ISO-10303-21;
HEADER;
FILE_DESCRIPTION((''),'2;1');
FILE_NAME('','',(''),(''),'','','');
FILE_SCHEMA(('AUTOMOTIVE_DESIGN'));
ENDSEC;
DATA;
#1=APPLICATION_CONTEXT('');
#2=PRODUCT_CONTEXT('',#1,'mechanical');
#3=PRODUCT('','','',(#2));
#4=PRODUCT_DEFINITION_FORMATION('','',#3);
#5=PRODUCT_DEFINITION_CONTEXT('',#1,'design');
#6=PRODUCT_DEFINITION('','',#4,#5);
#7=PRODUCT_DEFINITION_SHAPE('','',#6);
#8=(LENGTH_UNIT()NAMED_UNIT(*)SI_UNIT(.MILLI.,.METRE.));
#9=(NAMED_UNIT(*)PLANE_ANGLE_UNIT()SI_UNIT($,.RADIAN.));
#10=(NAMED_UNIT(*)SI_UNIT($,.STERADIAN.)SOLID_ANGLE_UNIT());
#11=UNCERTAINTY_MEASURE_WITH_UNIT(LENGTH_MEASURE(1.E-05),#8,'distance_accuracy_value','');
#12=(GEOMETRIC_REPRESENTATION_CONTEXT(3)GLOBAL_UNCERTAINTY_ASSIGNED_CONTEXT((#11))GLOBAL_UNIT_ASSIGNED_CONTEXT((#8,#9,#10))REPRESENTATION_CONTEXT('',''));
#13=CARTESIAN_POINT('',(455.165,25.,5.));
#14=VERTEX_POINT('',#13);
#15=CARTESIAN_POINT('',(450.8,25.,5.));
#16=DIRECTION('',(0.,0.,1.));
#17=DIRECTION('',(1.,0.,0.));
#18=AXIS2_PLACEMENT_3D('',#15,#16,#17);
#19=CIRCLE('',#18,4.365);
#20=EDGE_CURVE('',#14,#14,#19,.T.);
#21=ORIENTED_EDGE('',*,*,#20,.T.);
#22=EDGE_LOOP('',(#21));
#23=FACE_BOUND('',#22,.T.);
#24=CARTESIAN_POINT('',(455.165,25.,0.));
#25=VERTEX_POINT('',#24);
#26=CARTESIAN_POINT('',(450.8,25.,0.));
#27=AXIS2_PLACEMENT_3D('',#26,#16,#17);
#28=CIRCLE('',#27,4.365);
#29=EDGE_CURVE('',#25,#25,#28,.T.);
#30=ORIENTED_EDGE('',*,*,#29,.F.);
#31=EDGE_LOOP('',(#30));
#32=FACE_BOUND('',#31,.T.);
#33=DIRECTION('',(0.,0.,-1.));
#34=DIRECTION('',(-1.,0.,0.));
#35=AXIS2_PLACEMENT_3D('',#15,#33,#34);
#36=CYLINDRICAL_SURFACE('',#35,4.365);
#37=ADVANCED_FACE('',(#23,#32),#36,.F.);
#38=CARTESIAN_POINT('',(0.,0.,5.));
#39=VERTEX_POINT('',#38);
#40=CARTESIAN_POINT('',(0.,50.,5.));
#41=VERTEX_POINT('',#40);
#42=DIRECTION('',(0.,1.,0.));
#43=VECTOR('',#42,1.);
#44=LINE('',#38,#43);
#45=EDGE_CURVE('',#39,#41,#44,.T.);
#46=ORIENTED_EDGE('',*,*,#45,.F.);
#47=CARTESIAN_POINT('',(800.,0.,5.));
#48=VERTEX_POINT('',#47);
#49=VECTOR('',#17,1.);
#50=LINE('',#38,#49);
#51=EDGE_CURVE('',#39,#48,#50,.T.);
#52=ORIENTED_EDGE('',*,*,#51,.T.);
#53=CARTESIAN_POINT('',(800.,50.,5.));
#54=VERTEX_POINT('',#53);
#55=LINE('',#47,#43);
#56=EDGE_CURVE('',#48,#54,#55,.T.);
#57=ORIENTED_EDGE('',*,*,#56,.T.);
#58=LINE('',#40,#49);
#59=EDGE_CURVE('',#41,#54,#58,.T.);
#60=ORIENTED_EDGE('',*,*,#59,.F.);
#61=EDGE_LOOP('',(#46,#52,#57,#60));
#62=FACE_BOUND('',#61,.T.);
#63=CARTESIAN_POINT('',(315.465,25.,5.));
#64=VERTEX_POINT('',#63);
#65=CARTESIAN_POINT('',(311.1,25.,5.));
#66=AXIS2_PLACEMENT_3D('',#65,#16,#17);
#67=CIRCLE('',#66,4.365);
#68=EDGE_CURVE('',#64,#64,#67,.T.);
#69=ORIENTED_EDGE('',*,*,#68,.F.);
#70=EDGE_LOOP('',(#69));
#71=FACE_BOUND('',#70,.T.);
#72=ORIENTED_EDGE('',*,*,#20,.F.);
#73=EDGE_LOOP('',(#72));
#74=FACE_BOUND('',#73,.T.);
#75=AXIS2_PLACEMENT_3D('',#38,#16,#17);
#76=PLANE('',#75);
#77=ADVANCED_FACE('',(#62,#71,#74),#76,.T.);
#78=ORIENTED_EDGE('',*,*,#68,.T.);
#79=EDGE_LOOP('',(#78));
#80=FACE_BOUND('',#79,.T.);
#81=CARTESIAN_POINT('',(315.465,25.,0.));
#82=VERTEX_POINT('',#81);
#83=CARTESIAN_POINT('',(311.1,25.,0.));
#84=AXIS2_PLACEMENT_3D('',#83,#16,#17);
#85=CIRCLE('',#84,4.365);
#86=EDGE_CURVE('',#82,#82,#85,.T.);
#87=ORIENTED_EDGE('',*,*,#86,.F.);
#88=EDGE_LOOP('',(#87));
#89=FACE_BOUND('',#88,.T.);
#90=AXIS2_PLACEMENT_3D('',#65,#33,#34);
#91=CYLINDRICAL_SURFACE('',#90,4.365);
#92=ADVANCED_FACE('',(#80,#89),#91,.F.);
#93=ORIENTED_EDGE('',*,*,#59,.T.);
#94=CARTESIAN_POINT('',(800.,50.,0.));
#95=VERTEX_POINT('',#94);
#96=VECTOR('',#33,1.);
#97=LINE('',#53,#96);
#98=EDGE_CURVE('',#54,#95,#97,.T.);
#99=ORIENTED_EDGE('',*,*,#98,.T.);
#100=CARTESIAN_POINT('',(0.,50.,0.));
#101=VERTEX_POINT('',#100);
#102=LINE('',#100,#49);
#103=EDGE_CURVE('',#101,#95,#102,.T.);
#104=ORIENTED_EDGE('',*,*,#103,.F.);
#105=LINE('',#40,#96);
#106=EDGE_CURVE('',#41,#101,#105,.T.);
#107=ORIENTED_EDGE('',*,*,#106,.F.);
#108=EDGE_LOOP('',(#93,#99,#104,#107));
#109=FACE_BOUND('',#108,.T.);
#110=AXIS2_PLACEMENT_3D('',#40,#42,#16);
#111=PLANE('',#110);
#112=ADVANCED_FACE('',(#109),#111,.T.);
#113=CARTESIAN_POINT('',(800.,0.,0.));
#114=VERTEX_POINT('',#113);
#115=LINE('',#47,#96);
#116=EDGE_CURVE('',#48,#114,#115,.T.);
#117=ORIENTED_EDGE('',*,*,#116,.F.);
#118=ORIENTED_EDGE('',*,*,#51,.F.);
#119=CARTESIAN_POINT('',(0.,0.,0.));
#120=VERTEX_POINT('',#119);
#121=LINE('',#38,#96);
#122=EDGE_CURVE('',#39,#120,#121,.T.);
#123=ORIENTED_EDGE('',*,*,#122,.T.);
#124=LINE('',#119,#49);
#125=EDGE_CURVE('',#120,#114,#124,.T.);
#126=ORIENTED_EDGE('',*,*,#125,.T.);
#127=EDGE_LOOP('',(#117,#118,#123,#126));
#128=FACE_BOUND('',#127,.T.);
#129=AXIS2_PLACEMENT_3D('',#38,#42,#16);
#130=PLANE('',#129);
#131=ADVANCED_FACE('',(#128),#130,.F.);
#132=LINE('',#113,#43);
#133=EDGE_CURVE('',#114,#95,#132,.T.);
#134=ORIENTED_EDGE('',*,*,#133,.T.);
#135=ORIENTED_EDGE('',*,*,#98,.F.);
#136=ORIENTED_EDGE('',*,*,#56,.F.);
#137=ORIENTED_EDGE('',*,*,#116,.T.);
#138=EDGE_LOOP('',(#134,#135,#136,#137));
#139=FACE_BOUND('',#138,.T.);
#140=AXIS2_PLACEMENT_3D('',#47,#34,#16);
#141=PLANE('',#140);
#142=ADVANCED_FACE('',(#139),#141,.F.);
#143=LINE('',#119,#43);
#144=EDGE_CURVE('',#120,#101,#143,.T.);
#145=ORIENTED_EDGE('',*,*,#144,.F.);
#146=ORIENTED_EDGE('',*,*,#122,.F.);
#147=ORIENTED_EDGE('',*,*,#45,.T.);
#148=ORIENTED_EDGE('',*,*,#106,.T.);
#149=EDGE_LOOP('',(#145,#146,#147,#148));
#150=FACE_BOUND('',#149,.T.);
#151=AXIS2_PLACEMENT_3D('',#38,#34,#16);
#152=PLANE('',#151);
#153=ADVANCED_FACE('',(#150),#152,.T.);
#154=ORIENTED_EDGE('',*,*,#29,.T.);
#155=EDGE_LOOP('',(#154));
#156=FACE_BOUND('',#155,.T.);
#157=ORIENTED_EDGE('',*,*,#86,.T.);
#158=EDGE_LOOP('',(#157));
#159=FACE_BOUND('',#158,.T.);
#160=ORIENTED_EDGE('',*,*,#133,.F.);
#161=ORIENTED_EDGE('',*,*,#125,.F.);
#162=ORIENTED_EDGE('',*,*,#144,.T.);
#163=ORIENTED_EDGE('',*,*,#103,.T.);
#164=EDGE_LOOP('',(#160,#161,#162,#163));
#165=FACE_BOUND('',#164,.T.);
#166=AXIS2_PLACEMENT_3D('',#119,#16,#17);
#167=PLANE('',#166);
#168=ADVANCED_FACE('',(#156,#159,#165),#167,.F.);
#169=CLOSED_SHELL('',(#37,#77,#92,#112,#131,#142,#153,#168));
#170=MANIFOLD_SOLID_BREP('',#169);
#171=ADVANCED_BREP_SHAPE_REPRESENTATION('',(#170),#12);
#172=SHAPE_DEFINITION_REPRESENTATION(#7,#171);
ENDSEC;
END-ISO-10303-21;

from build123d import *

# Parameters (mm, degrees)
SZKIC1_W                    = 400
SZKIC1_H                    = 50
SZKIC1_R                    = 4.365
DODANIE_WYCI_GNI_CIE1_DEPTH = 5


with BuildPart() as part:
    # Szkic1 → Dodanie-wyciągnięcie1 (new body)
    # profile 1 of 2: a face of its own
    with BuildSketch(Plane.XY):
        with Locations((200, 25)):
            Rectangle(SZKIC1_W, SZKIC1_H)
        with Locations((311.1, 25)):
            Circle(SZKIC1_R, mode=Mode.SUBTRACT)
    # profile 2 of 2: a face of its own
    with BuildSketch(Plane.XY):
        with Locations((600, 25)):
            Rectangle(SZKIC1_W, SZKIC1_H)
        with Locations((450.8, 25)):
            Circle(SZKIC1_R, mode=Mode.SUBTRACT)
    extrude(amount=DODANIE_WYCI_GNI_CIE1_DEPTH)


solid = part.part
